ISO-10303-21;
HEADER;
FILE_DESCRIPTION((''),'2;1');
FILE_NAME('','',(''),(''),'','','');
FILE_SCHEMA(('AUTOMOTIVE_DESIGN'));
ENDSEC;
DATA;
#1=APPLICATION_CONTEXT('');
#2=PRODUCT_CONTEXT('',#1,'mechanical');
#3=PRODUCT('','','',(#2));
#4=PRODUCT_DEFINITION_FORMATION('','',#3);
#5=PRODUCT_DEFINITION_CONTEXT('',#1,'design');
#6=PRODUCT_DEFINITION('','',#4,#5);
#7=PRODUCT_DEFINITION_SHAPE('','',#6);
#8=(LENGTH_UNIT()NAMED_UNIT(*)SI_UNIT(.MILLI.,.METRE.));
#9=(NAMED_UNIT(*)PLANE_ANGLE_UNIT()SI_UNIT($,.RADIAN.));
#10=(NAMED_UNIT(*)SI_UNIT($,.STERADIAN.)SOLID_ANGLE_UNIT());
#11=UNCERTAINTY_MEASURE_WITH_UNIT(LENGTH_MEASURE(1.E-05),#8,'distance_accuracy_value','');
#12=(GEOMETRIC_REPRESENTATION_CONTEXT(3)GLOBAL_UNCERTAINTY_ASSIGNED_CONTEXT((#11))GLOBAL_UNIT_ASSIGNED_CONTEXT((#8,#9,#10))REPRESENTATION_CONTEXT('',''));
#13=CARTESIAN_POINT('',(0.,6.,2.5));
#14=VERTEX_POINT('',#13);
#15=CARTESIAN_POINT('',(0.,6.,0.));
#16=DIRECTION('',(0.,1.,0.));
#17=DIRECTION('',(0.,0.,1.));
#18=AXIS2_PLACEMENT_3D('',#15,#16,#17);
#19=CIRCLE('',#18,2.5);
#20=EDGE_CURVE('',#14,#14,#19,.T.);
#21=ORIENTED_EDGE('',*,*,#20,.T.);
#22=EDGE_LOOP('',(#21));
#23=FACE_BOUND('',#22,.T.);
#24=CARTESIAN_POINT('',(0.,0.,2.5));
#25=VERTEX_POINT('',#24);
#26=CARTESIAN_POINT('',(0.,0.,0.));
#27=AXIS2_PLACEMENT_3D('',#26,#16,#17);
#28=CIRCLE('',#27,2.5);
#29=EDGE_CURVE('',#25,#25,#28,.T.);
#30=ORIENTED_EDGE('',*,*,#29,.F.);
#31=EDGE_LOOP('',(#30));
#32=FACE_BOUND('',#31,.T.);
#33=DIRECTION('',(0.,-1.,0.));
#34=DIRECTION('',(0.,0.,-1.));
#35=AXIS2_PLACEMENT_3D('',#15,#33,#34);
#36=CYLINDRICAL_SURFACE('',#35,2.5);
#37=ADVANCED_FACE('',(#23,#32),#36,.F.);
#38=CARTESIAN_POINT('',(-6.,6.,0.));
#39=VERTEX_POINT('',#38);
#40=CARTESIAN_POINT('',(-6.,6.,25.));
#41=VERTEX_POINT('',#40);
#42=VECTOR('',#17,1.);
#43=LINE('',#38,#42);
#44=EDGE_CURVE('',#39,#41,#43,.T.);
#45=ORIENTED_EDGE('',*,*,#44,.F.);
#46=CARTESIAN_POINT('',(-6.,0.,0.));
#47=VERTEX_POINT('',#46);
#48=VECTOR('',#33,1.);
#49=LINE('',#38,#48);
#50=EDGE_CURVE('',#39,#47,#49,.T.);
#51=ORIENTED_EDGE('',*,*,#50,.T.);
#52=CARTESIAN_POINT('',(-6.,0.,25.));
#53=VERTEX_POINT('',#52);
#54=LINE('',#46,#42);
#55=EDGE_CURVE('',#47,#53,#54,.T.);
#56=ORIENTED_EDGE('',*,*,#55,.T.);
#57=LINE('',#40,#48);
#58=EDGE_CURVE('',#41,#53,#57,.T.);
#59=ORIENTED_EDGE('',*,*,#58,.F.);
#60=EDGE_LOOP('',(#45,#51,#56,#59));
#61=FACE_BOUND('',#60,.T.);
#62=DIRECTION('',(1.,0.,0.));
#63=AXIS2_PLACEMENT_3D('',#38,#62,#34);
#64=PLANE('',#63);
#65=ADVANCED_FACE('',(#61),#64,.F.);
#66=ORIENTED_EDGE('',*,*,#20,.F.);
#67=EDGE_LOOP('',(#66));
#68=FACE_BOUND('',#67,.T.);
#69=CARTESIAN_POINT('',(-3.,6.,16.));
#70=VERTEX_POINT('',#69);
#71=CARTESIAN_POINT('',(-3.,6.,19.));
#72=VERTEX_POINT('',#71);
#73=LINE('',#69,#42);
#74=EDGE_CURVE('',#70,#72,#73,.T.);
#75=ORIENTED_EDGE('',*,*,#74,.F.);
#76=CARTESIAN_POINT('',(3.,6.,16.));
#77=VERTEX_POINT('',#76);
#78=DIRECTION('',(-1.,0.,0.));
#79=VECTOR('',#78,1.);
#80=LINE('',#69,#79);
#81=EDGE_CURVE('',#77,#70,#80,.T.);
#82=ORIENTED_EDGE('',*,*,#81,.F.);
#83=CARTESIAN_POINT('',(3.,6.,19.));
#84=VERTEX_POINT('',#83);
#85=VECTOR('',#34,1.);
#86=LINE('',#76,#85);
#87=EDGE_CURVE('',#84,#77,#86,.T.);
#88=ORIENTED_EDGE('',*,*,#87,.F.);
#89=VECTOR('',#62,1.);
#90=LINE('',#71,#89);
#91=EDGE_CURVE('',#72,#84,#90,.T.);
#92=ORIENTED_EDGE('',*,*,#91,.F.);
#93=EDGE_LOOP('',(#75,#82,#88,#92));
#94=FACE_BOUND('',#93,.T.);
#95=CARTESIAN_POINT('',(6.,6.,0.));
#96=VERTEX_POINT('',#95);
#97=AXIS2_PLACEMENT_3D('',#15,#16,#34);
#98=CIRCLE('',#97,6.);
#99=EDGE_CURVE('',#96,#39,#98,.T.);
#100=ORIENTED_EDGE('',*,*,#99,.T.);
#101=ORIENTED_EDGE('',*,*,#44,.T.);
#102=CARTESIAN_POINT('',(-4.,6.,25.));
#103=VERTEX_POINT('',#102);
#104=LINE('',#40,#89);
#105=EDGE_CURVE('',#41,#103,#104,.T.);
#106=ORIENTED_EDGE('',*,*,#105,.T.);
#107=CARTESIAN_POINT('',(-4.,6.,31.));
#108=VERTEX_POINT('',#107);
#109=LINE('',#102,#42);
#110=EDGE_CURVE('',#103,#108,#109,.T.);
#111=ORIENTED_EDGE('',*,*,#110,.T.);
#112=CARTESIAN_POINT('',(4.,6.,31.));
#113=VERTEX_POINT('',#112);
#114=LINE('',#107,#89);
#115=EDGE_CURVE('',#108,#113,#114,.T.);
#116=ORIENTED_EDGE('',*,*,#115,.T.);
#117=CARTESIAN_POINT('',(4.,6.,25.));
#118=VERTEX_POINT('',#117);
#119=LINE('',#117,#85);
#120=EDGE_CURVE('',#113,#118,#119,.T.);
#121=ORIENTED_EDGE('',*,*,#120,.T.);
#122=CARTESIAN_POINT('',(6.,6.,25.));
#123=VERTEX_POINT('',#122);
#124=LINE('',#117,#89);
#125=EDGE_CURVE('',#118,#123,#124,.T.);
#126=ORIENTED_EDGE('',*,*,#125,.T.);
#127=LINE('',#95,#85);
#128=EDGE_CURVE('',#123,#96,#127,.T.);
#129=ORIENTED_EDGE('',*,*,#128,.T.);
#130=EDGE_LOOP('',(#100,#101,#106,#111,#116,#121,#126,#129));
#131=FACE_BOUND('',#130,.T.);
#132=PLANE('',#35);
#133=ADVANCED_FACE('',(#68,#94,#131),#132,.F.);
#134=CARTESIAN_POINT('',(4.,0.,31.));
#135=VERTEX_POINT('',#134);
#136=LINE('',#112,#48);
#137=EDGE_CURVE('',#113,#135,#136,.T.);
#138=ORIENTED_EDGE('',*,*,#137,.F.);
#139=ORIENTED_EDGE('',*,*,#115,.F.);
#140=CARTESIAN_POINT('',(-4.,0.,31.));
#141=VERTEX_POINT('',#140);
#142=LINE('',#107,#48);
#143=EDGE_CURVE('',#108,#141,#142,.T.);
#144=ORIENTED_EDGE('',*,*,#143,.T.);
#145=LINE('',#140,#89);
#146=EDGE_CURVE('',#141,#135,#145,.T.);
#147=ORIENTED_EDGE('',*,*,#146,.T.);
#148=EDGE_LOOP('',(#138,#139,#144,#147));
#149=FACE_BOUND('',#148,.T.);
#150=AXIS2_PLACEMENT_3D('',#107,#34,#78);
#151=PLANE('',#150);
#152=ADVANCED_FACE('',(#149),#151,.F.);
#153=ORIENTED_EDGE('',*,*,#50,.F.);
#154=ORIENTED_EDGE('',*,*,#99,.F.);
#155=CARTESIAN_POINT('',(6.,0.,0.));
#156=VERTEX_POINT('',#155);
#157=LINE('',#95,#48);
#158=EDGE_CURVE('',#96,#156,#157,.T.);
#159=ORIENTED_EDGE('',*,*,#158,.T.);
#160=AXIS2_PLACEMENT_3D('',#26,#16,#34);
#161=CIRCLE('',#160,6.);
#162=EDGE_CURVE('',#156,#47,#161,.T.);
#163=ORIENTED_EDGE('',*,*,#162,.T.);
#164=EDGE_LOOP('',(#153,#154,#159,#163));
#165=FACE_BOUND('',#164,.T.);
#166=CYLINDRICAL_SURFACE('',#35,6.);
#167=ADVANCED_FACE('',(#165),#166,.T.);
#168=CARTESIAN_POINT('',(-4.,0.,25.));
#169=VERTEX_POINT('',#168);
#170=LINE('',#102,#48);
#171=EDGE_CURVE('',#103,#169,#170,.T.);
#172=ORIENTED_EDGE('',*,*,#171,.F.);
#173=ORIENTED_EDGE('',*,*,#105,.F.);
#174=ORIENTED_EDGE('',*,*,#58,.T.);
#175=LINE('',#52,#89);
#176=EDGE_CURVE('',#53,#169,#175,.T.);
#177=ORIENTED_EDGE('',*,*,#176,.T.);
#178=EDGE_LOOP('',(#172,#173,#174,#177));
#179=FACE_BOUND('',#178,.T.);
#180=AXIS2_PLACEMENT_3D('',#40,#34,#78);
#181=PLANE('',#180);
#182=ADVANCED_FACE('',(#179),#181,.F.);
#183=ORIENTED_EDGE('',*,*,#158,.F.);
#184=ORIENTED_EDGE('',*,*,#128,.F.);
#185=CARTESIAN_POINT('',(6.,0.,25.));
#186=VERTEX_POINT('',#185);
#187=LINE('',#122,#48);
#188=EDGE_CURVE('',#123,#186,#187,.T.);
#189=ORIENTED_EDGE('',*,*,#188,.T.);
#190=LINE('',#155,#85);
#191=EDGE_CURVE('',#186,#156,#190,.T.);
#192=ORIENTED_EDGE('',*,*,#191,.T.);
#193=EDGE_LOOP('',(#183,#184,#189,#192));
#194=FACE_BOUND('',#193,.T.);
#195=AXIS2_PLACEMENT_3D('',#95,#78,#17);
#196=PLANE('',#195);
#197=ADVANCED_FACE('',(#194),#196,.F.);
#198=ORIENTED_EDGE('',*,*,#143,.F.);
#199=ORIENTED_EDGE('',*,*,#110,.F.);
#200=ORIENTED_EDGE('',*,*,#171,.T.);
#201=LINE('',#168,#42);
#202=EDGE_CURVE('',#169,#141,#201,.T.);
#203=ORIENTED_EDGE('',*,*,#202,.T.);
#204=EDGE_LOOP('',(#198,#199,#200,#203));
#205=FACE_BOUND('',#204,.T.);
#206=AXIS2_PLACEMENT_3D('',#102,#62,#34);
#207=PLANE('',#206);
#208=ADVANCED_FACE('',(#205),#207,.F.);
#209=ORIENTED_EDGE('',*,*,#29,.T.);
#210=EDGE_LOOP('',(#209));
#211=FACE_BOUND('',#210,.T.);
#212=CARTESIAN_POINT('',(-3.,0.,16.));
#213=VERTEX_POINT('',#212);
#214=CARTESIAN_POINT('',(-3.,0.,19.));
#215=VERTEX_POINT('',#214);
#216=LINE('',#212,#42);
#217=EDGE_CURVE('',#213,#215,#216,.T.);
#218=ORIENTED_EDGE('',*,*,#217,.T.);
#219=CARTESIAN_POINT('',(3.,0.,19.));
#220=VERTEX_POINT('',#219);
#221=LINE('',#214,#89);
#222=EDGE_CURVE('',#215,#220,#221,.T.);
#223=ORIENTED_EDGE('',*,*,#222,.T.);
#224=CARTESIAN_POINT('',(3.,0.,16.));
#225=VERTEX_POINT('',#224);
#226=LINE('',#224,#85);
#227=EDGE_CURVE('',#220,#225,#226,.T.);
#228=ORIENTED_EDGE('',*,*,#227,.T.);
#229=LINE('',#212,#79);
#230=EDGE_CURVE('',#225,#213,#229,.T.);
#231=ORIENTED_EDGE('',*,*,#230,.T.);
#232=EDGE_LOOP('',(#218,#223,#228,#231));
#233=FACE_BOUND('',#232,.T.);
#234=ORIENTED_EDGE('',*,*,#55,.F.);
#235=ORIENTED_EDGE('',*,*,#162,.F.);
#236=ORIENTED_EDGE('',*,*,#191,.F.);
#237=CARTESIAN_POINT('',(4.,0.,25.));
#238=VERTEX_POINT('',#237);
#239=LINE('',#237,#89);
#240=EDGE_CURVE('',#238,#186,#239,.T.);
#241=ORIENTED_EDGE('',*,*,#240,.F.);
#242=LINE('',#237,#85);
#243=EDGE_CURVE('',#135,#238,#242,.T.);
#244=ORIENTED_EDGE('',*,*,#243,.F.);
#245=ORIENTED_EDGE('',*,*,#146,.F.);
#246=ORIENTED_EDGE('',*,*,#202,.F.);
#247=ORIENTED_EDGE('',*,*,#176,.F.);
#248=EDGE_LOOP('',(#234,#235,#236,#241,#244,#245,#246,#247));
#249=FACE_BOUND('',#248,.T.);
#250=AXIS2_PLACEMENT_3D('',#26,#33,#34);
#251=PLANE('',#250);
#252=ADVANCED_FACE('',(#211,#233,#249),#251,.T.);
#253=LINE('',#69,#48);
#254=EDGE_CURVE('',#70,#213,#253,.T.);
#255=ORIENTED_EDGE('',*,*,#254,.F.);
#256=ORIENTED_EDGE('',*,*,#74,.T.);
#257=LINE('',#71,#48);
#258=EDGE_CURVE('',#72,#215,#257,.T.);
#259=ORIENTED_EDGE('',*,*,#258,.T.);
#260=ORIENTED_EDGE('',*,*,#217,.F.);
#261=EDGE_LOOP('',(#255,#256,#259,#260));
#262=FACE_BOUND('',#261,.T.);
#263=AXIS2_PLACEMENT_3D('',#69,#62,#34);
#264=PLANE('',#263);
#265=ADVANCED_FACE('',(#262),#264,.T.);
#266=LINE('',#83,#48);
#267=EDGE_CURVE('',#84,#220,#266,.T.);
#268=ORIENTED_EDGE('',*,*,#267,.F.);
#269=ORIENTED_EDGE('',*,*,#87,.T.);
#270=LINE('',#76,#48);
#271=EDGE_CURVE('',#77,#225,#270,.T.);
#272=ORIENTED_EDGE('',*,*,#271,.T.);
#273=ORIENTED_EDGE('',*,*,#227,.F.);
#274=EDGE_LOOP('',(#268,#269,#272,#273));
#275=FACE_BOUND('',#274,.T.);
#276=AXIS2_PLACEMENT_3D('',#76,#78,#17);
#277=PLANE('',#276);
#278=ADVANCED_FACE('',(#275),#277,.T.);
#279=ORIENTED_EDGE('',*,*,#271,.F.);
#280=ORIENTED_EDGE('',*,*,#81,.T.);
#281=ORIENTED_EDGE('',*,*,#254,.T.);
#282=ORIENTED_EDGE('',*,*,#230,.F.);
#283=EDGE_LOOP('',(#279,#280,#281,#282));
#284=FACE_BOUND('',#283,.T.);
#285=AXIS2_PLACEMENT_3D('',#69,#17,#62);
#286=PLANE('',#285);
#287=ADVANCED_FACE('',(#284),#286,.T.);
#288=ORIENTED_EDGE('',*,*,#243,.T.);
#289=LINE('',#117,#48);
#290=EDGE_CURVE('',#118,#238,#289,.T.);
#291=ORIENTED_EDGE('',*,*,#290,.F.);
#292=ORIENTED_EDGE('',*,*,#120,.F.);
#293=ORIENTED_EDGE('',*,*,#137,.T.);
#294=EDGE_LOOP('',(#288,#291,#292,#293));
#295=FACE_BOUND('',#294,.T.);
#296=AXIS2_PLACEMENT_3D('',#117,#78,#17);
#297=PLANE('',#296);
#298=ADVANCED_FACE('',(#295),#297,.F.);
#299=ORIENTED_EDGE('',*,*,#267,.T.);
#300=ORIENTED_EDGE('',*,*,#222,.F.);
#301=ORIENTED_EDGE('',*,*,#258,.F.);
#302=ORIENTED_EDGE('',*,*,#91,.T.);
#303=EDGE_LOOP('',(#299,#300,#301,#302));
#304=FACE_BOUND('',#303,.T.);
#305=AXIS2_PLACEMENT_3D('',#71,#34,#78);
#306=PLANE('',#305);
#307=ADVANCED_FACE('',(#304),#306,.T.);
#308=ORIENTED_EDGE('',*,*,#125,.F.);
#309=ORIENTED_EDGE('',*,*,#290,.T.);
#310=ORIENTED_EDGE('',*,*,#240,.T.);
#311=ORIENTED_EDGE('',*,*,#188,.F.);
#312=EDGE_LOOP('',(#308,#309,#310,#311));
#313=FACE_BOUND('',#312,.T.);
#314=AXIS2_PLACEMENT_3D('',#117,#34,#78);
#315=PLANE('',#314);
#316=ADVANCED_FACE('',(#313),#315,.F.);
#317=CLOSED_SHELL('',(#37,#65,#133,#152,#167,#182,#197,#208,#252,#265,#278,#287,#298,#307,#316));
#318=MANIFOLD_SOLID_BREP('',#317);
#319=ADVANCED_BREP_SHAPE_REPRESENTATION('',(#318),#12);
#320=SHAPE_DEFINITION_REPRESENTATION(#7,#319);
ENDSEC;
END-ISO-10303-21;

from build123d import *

# Parameters (mm, degrees)
SKETCH1_R           = 2.5
SKETCH1_W           = 6
SKETCH1_H           = 3
BOSS_EXTRUDE1_DEPTH = 6


with BuildPart() as part:
    # Sketch1 → Boss-Extrude1 (new body)
    with BuildSketch(Plane(origin=(0, 0, 0), x_dir=(1, 0, 0), z_dir=(0, 1, 0))):
        with BuildLine():
            Line((-6, 0), (-6, -25))
            Line((-6, -25), (-4, -25))
            Line((-4, -25), (-4, -31))
            Line((-4, -31), (4, -31))
            Line((4, -31), (4, -25))
            Line((4, -25), (6, -25))
            Line((6, -25), (6, 0))
            ThreePointArc((6, 0), (0, 6), (-6, 0))
        make_face()
        with Locations(Location((0, 0, 0), (0, 0, 270))):
            Circle(SKETCH1_R, mode=Mode.SUBTRACT)
        with Locations((0, -17.5)):
            Rectangle(SKETCH1_W, SKETCH1_H, mode=Mode.SUBTRACT)
    extrude(amount=BOSS_EXTRUDE1_DEPTH)


solid = part.part
